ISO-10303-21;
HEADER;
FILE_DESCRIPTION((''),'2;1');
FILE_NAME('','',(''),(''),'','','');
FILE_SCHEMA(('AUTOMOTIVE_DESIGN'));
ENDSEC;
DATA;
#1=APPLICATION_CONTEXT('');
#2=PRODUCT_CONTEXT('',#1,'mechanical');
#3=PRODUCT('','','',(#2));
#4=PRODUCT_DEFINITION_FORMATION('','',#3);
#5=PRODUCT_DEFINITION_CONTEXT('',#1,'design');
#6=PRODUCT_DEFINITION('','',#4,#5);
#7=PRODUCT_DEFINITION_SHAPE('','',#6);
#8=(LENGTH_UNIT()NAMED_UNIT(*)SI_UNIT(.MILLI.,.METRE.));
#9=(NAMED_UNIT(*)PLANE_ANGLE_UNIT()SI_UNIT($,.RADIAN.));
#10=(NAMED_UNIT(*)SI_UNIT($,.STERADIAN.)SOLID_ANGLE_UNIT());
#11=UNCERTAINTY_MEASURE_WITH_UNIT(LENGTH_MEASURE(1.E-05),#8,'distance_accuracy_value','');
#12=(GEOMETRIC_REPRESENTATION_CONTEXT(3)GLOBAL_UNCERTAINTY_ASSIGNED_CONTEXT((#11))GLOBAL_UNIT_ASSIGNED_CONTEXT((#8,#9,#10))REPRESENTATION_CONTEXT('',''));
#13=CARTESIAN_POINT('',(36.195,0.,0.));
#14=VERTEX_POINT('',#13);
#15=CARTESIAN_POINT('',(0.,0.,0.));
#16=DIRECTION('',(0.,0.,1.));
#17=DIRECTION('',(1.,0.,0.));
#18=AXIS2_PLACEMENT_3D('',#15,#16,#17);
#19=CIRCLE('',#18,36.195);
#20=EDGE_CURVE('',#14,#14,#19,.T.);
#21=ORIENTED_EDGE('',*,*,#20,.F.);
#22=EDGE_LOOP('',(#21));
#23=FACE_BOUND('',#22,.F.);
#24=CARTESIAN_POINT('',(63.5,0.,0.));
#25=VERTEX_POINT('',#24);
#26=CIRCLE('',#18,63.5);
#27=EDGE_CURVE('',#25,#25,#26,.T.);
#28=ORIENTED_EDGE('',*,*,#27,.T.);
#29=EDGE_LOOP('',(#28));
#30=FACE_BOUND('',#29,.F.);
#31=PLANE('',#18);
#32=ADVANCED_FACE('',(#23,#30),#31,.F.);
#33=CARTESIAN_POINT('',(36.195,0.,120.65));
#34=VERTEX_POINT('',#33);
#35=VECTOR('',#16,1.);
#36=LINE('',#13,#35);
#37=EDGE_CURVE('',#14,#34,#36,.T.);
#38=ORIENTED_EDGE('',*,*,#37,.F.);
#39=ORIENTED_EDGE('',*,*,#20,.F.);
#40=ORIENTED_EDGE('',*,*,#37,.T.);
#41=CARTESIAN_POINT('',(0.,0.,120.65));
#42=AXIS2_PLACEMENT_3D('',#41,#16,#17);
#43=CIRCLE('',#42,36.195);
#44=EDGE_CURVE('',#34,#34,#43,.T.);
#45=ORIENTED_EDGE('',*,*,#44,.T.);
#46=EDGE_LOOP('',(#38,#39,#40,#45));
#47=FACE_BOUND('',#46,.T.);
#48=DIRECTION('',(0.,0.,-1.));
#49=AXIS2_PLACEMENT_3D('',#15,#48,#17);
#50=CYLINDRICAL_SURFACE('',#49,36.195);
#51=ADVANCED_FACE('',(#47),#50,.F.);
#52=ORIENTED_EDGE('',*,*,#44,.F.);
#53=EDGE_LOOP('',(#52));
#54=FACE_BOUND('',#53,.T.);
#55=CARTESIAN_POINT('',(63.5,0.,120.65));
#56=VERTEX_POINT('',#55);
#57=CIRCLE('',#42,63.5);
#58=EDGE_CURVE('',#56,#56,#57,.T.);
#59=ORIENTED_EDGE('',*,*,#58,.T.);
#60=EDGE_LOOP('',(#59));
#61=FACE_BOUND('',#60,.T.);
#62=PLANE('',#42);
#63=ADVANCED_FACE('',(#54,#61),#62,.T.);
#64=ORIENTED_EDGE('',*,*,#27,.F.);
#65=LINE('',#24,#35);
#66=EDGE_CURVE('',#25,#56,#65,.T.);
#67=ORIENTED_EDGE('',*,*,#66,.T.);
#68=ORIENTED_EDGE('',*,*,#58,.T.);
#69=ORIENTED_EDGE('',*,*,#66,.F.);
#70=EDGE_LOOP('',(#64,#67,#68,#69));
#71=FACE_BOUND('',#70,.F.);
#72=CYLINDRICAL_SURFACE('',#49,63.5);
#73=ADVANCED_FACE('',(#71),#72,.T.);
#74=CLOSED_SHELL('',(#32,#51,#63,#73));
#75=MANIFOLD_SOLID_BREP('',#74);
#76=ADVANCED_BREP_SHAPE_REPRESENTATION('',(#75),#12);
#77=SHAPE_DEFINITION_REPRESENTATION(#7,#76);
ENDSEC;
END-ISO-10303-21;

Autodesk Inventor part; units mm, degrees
ref_plane "YZ Plane" through (0, 0, 0) normal (1, 0, 0) x (0, 1, 0)
ref_plane "XZ Plane" through (0, 0, 0) normal (0, 1, 0) x (-1, 0, 0)
ref_plane "XY Plane" through (0, 0, 0) normal (0, 0, 1) x (1, 0, 0)
sketch "Sketch1" plane through (0, 0, 0) normal (0, 0, 1) x (1, 0, 0)
  circle A0 centre (0, 0) radius 36.195
  circle A1 centre (0, 0) radius 63.5
  dimension "d0" = 72.39
  dimension "d1" = 127
extrude "Extrusion1" add sketch "Sketch1" along normal blind 120.65
properties part number "cylinderWrapVacuumInsulation"
